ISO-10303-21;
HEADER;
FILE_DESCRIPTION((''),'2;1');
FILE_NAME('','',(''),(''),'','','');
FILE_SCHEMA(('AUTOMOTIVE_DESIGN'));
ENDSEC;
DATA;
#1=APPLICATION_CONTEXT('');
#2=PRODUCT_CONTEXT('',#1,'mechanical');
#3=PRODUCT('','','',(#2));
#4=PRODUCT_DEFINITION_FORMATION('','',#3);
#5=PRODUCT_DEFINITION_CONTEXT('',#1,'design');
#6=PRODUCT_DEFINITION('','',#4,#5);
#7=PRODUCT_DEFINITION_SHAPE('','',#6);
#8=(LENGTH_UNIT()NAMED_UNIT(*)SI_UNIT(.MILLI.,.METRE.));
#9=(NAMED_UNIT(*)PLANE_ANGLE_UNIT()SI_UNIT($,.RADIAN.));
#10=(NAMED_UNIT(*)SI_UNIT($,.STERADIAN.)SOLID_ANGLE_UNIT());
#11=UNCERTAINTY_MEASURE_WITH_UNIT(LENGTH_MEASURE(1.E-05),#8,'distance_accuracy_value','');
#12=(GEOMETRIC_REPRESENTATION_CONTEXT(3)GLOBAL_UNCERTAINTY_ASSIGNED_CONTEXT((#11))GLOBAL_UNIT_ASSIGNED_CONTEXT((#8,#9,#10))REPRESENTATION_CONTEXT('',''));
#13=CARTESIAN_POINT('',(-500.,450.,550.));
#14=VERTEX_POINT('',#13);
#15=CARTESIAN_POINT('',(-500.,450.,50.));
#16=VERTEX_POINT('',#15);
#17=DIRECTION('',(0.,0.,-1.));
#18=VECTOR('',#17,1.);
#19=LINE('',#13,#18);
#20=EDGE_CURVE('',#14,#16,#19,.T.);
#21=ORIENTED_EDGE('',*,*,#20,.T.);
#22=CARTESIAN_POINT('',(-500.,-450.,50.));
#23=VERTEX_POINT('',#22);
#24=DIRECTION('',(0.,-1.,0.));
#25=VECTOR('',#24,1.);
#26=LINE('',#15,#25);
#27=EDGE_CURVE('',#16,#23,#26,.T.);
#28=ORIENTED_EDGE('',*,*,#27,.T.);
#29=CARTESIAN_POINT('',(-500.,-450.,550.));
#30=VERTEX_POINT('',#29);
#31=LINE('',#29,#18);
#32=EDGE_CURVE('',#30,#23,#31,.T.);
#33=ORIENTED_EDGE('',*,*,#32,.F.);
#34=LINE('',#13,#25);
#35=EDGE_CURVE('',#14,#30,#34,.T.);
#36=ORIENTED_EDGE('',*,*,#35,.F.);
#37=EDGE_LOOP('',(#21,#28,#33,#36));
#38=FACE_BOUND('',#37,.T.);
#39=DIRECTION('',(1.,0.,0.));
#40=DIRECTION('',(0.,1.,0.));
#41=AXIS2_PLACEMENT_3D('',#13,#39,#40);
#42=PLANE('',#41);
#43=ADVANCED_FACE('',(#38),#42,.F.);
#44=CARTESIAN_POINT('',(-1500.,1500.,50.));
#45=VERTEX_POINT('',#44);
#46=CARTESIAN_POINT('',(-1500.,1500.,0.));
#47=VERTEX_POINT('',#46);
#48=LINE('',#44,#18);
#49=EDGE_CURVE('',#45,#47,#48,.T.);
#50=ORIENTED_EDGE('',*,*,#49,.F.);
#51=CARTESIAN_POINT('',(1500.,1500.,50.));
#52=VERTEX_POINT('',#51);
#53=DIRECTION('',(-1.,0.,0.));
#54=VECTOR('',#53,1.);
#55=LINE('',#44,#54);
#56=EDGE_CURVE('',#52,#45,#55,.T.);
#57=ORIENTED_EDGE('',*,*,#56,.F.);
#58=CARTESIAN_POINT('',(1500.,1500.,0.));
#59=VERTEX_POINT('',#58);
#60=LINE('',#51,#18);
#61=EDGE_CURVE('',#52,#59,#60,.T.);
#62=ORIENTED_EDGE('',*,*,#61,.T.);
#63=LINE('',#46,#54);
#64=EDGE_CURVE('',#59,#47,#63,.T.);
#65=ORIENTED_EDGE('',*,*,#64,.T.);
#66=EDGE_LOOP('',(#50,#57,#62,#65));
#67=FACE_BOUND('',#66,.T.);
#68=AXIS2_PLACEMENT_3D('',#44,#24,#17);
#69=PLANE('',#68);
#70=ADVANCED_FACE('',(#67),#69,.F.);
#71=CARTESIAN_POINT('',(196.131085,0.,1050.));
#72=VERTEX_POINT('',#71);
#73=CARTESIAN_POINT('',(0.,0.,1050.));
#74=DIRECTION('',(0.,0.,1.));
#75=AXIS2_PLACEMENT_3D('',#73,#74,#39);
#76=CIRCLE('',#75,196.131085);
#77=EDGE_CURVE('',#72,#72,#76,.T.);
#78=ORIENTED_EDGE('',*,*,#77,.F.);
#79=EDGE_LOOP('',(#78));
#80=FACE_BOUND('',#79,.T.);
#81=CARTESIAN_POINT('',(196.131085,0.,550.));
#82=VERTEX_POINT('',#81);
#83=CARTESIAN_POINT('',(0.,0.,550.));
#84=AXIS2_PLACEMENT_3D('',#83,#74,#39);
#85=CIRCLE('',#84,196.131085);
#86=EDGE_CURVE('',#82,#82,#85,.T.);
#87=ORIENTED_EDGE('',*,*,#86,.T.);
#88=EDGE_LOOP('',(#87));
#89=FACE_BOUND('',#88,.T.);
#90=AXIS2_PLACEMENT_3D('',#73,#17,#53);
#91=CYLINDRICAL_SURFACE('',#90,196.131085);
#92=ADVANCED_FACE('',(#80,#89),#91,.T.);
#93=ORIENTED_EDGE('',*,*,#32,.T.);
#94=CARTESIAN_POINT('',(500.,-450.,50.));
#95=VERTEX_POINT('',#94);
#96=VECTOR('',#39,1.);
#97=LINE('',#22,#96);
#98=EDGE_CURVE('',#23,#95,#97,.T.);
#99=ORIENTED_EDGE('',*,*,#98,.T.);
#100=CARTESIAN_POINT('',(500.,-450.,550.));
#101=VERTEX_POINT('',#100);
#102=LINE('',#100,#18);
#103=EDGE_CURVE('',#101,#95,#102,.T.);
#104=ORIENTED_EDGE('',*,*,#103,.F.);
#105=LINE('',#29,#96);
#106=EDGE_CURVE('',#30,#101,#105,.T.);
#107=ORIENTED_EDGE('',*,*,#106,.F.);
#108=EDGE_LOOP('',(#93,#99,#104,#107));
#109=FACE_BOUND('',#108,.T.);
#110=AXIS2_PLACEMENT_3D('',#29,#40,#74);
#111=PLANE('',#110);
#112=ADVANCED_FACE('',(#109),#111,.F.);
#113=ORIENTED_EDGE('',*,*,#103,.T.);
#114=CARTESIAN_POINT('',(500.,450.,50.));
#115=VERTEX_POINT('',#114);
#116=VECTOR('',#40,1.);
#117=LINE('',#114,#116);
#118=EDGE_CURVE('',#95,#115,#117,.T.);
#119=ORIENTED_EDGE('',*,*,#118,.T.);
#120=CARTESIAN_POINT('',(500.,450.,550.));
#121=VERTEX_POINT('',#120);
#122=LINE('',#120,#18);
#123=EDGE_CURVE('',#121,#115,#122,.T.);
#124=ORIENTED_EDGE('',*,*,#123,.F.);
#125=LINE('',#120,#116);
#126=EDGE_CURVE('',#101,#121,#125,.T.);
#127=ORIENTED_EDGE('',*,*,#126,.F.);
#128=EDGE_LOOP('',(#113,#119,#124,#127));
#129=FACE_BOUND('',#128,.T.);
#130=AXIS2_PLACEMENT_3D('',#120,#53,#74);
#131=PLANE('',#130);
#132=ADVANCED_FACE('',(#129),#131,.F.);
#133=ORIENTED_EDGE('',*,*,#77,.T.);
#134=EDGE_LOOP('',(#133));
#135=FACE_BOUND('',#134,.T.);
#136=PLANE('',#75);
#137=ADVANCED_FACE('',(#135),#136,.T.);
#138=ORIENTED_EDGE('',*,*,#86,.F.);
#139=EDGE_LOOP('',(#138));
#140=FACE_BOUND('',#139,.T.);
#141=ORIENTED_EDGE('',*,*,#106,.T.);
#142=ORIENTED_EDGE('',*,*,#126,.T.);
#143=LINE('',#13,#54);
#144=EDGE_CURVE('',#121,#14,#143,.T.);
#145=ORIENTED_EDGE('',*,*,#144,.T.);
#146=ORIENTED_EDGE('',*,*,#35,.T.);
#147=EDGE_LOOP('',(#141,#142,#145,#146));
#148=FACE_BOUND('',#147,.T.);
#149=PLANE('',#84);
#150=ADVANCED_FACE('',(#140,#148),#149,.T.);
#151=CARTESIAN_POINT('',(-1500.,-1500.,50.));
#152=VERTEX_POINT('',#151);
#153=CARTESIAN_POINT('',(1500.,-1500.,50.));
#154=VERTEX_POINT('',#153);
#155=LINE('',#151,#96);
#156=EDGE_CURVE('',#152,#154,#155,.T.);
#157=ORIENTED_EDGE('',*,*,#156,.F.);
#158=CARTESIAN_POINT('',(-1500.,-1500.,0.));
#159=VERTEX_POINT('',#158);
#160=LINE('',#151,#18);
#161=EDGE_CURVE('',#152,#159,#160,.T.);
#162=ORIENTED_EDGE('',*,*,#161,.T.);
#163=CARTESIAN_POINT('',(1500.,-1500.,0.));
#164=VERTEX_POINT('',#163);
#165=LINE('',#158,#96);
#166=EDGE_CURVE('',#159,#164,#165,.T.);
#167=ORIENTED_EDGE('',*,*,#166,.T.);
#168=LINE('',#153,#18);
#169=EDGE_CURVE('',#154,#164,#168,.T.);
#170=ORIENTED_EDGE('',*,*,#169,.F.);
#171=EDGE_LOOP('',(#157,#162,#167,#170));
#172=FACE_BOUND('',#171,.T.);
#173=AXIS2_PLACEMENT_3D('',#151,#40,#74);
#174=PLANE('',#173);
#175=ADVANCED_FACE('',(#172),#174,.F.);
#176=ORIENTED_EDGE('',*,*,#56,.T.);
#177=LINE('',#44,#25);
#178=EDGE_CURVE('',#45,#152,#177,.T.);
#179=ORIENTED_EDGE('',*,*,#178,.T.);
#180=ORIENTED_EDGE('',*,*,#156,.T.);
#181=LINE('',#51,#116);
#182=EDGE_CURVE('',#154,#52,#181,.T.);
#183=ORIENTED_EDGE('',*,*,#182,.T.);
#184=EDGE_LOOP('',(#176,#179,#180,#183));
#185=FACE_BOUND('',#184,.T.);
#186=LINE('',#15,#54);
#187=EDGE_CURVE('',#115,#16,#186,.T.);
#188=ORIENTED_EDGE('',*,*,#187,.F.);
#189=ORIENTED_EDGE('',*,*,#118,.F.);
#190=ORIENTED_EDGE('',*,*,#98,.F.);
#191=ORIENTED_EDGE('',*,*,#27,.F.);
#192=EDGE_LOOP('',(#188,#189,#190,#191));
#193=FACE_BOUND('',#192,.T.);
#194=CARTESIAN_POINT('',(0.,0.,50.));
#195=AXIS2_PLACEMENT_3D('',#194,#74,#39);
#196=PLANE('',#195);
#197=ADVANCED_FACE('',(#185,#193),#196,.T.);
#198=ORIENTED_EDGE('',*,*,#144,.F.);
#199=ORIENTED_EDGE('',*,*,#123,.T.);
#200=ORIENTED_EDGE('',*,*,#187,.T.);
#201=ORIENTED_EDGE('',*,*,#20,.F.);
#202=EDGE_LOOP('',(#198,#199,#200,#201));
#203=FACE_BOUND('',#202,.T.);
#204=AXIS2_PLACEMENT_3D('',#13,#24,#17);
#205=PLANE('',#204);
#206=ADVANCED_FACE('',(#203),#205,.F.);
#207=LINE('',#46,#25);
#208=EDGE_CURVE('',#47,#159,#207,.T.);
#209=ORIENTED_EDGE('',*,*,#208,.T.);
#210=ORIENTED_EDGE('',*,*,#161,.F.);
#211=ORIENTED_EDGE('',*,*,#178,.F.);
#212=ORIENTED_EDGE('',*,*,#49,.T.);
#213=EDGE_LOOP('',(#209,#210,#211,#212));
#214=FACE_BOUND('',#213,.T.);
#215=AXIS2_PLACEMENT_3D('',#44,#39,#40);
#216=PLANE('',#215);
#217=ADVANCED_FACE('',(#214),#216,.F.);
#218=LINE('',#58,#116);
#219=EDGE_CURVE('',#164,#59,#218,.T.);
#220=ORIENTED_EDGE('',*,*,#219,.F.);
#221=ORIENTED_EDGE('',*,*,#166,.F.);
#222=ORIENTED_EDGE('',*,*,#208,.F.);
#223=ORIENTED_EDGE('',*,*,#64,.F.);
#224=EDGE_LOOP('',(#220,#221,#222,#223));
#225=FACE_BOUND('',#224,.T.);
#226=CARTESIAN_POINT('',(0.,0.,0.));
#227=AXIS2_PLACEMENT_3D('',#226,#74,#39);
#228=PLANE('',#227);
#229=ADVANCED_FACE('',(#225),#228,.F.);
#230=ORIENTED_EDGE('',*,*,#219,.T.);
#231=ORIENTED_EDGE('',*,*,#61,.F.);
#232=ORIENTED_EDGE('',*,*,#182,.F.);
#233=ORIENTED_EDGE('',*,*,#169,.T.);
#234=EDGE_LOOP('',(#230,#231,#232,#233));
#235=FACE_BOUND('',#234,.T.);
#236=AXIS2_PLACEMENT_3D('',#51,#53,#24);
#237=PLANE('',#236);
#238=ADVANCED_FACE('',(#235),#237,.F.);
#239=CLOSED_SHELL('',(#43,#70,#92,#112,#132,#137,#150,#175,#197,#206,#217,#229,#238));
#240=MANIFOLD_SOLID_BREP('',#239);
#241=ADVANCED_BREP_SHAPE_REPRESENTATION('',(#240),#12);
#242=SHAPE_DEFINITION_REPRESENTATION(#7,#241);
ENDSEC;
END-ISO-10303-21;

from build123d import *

# Parameters (mm, degrees)
SKETCH_1_W      = 3000
SKETCH_1_H      = 3000
EXTRUDE_1_DEPTH = 50
SKETCH_2_W      = 1000
SKETCH_2_H      = 900
EXTRUDE_2_DEPTH = 500
SKETCH_3_R      = 196.131085291
EXTRUDE_3_DEPTH = 500


with BuildPart() as part:
    # 草圖1 → 填料-伸長1 (new body)
    with BuildSketch(Plane.XY):
        Rectangle(SKETCH_1_W, SKETCH_1_H)
    extrude(amount=EXTRUDE_1_DEPTH)

    # 草圖2 → 填料-伸長2 (add)
    with BuildSketch(Plane.XY.offset(50)):
        Rectangle(SKETCH_2_W, SKETCH_2_H)
    extrude(amount=EXTRUDE_2_DEPTH)

    # 草圖3 → 填料-伸長3 (add)
    with BuildSketch(Plane.XY.offset(550)):
        Circle(SKETCH_3_R)
    extrude(amount=EXTRUDE_3_DEPTH)


solid = part.part
